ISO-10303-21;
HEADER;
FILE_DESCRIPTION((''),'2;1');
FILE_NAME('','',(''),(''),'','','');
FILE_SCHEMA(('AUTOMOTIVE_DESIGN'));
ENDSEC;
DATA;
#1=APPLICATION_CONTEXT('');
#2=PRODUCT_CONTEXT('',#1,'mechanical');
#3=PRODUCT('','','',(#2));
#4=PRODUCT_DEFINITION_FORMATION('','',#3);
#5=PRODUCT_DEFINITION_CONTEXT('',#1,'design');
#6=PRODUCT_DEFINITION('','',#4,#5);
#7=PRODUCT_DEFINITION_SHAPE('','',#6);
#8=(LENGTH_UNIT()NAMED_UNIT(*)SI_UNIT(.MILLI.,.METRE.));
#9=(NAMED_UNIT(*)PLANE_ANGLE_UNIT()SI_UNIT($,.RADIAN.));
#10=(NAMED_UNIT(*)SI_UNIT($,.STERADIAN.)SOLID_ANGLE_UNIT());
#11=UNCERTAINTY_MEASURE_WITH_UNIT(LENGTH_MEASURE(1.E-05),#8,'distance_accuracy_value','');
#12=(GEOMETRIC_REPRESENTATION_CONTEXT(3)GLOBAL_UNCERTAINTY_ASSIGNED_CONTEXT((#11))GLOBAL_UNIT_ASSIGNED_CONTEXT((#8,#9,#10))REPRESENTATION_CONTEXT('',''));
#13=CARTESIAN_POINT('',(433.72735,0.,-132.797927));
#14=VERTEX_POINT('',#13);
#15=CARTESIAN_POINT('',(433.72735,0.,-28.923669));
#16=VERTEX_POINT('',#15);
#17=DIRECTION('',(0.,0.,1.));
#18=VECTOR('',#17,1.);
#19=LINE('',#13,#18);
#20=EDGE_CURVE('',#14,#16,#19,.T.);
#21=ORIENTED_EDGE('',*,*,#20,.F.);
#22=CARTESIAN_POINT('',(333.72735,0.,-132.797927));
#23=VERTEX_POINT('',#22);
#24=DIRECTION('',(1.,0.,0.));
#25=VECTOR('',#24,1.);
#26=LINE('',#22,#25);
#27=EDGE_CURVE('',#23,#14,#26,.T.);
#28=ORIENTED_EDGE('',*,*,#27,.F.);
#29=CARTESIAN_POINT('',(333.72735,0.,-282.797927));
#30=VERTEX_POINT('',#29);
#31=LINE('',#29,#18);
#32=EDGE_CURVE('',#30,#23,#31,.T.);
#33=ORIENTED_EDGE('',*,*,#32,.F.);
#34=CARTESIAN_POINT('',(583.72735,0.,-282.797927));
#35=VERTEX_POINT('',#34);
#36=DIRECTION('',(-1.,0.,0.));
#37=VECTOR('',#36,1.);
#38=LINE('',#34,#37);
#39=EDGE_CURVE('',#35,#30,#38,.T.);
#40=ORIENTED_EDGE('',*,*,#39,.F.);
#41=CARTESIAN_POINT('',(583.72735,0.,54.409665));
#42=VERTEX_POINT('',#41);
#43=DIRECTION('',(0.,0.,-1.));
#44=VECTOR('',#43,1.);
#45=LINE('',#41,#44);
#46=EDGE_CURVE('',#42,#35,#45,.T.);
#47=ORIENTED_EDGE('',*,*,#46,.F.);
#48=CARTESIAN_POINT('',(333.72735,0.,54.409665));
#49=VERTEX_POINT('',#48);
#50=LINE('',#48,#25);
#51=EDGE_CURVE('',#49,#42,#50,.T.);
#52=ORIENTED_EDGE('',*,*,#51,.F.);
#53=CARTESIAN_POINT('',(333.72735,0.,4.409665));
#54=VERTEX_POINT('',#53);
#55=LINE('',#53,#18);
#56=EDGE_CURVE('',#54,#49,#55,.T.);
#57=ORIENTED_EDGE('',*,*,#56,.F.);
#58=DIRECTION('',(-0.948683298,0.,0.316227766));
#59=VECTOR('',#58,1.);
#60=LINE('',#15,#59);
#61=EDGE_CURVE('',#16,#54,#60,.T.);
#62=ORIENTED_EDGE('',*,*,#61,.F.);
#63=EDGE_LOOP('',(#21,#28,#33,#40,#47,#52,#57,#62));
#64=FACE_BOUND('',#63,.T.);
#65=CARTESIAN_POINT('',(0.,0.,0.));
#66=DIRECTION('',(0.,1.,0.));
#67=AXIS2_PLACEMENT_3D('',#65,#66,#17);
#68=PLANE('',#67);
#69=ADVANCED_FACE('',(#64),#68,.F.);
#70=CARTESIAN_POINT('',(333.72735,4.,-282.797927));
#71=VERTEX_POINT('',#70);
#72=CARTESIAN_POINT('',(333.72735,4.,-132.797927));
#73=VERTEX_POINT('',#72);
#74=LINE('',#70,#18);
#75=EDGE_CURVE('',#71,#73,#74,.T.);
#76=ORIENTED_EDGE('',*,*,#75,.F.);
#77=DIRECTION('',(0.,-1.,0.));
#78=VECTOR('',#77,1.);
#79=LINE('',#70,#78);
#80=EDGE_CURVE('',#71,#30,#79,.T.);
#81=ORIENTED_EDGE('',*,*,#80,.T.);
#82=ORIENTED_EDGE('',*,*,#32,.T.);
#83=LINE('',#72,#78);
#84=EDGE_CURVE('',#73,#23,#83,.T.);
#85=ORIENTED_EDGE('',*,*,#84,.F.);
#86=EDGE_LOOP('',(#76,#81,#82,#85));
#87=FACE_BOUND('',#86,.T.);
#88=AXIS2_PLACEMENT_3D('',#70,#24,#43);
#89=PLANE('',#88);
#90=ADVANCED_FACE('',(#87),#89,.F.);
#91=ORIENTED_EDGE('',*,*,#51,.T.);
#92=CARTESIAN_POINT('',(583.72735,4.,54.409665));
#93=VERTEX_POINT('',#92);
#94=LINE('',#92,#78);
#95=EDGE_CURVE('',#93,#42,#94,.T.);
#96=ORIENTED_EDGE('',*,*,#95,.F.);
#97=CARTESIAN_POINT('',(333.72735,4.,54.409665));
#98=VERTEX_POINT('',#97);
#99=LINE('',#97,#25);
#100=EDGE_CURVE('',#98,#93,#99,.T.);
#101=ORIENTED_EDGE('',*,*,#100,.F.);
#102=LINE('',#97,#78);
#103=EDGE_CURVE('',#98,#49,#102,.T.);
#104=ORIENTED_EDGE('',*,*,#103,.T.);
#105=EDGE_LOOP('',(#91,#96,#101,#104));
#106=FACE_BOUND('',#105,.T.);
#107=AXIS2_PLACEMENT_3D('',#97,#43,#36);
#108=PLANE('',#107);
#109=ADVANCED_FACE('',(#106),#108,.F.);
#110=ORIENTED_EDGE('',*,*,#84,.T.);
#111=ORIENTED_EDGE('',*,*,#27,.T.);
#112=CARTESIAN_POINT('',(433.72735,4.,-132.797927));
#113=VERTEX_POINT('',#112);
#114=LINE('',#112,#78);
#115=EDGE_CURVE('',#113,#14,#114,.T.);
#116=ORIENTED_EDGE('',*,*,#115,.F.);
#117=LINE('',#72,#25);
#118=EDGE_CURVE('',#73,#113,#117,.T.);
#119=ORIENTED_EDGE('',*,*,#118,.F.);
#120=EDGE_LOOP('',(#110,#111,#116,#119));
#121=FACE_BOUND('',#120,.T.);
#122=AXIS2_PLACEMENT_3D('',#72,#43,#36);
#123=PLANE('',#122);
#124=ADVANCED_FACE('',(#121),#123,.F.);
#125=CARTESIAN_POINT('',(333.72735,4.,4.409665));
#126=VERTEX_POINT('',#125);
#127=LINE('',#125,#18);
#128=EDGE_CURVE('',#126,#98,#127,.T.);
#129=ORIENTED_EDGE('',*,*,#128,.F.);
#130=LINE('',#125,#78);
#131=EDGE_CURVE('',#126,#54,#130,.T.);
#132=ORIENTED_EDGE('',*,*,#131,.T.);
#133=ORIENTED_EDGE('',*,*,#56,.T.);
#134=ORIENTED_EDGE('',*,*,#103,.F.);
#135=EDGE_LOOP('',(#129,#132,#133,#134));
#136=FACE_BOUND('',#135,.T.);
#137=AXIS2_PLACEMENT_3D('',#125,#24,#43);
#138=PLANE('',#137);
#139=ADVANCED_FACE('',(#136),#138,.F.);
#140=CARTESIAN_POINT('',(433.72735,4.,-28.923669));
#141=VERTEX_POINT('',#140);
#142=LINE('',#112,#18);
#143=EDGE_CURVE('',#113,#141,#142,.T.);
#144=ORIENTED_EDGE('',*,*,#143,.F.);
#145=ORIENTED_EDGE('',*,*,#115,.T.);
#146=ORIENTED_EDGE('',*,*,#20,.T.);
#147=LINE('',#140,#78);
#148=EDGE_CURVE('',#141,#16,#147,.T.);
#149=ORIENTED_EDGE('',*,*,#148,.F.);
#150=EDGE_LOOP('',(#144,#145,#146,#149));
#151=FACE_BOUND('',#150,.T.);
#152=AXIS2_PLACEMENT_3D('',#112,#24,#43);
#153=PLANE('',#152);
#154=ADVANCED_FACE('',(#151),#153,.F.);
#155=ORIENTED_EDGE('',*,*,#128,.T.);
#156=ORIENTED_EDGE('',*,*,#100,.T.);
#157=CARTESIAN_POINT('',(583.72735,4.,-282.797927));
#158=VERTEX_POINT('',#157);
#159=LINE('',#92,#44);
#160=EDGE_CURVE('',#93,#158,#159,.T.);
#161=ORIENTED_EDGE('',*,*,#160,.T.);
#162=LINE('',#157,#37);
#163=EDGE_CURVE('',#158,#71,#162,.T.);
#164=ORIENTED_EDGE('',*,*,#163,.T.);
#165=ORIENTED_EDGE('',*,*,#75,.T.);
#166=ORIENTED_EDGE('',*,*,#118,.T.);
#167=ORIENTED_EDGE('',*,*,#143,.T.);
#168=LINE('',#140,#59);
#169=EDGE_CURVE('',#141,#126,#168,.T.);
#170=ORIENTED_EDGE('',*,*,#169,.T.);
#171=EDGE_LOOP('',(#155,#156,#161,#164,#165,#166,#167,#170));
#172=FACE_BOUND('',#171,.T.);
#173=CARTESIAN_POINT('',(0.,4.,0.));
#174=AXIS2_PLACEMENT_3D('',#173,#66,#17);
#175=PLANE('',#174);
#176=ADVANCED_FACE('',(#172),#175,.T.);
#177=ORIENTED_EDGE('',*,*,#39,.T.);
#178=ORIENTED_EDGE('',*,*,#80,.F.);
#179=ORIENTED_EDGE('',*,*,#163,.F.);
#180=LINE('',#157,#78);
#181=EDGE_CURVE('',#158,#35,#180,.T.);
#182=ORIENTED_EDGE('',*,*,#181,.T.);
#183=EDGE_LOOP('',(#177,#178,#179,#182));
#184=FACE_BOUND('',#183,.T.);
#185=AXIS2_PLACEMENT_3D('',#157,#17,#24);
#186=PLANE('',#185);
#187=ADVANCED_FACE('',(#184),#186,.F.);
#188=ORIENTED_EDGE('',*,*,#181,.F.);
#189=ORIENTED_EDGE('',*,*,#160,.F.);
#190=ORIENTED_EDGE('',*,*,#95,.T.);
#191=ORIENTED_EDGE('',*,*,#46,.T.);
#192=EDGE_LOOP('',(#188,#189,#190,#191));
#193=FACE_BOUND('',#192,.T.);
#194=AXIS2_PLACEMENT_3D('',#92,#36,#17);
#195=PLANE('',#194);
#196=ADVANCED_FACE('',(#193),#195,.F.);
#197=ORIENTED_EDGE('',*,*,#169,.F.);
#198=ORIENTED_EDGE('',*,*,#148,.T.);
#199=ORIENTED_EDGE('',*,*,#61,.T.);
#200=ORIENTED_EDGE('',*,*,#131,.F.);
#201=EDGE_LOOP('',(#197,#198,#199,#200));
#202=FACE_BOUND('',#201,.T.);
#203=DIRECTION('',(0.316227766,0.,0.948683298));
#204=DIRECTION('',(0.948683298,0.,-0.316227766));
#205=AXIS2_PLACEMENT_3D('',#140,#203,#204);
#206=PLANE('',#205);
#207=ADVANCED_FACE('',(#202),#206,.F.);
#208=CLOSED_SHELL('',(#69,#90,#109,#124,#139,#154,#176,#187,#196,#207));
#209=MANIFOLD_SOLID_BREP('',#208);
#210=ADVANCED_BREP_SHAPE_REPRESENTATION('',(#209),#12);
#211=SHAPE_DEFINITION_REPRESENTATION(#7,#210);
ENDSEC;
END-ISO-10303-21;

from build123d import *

# Parameters (mm, degrees)
BOSS_EXTRUDE1_DEPTH = 4


with BuildPart() as part:
    # Sketch1 → Boss-Extrude1 (new body)
    with BuildSketch(Plane(origin=(0, 0, 0), x_dir=(1, 0, 0), z_dir=(0, 1, 0))):
        Polygon((333.727349577, 132.797927461), (433.727349577, 132.797927461), (433.727349577, 28.923668594), (333.727349577, -4.409664739), (333.727349577, -54.409664739), (583.727349577, -54.409664739), (583.727349577, 282.797927461), (333.727349577, 282.797927461), align=None)
    extrude(amount=BOSS_EXTRUDE1_DEPTH)


solid = part.part
